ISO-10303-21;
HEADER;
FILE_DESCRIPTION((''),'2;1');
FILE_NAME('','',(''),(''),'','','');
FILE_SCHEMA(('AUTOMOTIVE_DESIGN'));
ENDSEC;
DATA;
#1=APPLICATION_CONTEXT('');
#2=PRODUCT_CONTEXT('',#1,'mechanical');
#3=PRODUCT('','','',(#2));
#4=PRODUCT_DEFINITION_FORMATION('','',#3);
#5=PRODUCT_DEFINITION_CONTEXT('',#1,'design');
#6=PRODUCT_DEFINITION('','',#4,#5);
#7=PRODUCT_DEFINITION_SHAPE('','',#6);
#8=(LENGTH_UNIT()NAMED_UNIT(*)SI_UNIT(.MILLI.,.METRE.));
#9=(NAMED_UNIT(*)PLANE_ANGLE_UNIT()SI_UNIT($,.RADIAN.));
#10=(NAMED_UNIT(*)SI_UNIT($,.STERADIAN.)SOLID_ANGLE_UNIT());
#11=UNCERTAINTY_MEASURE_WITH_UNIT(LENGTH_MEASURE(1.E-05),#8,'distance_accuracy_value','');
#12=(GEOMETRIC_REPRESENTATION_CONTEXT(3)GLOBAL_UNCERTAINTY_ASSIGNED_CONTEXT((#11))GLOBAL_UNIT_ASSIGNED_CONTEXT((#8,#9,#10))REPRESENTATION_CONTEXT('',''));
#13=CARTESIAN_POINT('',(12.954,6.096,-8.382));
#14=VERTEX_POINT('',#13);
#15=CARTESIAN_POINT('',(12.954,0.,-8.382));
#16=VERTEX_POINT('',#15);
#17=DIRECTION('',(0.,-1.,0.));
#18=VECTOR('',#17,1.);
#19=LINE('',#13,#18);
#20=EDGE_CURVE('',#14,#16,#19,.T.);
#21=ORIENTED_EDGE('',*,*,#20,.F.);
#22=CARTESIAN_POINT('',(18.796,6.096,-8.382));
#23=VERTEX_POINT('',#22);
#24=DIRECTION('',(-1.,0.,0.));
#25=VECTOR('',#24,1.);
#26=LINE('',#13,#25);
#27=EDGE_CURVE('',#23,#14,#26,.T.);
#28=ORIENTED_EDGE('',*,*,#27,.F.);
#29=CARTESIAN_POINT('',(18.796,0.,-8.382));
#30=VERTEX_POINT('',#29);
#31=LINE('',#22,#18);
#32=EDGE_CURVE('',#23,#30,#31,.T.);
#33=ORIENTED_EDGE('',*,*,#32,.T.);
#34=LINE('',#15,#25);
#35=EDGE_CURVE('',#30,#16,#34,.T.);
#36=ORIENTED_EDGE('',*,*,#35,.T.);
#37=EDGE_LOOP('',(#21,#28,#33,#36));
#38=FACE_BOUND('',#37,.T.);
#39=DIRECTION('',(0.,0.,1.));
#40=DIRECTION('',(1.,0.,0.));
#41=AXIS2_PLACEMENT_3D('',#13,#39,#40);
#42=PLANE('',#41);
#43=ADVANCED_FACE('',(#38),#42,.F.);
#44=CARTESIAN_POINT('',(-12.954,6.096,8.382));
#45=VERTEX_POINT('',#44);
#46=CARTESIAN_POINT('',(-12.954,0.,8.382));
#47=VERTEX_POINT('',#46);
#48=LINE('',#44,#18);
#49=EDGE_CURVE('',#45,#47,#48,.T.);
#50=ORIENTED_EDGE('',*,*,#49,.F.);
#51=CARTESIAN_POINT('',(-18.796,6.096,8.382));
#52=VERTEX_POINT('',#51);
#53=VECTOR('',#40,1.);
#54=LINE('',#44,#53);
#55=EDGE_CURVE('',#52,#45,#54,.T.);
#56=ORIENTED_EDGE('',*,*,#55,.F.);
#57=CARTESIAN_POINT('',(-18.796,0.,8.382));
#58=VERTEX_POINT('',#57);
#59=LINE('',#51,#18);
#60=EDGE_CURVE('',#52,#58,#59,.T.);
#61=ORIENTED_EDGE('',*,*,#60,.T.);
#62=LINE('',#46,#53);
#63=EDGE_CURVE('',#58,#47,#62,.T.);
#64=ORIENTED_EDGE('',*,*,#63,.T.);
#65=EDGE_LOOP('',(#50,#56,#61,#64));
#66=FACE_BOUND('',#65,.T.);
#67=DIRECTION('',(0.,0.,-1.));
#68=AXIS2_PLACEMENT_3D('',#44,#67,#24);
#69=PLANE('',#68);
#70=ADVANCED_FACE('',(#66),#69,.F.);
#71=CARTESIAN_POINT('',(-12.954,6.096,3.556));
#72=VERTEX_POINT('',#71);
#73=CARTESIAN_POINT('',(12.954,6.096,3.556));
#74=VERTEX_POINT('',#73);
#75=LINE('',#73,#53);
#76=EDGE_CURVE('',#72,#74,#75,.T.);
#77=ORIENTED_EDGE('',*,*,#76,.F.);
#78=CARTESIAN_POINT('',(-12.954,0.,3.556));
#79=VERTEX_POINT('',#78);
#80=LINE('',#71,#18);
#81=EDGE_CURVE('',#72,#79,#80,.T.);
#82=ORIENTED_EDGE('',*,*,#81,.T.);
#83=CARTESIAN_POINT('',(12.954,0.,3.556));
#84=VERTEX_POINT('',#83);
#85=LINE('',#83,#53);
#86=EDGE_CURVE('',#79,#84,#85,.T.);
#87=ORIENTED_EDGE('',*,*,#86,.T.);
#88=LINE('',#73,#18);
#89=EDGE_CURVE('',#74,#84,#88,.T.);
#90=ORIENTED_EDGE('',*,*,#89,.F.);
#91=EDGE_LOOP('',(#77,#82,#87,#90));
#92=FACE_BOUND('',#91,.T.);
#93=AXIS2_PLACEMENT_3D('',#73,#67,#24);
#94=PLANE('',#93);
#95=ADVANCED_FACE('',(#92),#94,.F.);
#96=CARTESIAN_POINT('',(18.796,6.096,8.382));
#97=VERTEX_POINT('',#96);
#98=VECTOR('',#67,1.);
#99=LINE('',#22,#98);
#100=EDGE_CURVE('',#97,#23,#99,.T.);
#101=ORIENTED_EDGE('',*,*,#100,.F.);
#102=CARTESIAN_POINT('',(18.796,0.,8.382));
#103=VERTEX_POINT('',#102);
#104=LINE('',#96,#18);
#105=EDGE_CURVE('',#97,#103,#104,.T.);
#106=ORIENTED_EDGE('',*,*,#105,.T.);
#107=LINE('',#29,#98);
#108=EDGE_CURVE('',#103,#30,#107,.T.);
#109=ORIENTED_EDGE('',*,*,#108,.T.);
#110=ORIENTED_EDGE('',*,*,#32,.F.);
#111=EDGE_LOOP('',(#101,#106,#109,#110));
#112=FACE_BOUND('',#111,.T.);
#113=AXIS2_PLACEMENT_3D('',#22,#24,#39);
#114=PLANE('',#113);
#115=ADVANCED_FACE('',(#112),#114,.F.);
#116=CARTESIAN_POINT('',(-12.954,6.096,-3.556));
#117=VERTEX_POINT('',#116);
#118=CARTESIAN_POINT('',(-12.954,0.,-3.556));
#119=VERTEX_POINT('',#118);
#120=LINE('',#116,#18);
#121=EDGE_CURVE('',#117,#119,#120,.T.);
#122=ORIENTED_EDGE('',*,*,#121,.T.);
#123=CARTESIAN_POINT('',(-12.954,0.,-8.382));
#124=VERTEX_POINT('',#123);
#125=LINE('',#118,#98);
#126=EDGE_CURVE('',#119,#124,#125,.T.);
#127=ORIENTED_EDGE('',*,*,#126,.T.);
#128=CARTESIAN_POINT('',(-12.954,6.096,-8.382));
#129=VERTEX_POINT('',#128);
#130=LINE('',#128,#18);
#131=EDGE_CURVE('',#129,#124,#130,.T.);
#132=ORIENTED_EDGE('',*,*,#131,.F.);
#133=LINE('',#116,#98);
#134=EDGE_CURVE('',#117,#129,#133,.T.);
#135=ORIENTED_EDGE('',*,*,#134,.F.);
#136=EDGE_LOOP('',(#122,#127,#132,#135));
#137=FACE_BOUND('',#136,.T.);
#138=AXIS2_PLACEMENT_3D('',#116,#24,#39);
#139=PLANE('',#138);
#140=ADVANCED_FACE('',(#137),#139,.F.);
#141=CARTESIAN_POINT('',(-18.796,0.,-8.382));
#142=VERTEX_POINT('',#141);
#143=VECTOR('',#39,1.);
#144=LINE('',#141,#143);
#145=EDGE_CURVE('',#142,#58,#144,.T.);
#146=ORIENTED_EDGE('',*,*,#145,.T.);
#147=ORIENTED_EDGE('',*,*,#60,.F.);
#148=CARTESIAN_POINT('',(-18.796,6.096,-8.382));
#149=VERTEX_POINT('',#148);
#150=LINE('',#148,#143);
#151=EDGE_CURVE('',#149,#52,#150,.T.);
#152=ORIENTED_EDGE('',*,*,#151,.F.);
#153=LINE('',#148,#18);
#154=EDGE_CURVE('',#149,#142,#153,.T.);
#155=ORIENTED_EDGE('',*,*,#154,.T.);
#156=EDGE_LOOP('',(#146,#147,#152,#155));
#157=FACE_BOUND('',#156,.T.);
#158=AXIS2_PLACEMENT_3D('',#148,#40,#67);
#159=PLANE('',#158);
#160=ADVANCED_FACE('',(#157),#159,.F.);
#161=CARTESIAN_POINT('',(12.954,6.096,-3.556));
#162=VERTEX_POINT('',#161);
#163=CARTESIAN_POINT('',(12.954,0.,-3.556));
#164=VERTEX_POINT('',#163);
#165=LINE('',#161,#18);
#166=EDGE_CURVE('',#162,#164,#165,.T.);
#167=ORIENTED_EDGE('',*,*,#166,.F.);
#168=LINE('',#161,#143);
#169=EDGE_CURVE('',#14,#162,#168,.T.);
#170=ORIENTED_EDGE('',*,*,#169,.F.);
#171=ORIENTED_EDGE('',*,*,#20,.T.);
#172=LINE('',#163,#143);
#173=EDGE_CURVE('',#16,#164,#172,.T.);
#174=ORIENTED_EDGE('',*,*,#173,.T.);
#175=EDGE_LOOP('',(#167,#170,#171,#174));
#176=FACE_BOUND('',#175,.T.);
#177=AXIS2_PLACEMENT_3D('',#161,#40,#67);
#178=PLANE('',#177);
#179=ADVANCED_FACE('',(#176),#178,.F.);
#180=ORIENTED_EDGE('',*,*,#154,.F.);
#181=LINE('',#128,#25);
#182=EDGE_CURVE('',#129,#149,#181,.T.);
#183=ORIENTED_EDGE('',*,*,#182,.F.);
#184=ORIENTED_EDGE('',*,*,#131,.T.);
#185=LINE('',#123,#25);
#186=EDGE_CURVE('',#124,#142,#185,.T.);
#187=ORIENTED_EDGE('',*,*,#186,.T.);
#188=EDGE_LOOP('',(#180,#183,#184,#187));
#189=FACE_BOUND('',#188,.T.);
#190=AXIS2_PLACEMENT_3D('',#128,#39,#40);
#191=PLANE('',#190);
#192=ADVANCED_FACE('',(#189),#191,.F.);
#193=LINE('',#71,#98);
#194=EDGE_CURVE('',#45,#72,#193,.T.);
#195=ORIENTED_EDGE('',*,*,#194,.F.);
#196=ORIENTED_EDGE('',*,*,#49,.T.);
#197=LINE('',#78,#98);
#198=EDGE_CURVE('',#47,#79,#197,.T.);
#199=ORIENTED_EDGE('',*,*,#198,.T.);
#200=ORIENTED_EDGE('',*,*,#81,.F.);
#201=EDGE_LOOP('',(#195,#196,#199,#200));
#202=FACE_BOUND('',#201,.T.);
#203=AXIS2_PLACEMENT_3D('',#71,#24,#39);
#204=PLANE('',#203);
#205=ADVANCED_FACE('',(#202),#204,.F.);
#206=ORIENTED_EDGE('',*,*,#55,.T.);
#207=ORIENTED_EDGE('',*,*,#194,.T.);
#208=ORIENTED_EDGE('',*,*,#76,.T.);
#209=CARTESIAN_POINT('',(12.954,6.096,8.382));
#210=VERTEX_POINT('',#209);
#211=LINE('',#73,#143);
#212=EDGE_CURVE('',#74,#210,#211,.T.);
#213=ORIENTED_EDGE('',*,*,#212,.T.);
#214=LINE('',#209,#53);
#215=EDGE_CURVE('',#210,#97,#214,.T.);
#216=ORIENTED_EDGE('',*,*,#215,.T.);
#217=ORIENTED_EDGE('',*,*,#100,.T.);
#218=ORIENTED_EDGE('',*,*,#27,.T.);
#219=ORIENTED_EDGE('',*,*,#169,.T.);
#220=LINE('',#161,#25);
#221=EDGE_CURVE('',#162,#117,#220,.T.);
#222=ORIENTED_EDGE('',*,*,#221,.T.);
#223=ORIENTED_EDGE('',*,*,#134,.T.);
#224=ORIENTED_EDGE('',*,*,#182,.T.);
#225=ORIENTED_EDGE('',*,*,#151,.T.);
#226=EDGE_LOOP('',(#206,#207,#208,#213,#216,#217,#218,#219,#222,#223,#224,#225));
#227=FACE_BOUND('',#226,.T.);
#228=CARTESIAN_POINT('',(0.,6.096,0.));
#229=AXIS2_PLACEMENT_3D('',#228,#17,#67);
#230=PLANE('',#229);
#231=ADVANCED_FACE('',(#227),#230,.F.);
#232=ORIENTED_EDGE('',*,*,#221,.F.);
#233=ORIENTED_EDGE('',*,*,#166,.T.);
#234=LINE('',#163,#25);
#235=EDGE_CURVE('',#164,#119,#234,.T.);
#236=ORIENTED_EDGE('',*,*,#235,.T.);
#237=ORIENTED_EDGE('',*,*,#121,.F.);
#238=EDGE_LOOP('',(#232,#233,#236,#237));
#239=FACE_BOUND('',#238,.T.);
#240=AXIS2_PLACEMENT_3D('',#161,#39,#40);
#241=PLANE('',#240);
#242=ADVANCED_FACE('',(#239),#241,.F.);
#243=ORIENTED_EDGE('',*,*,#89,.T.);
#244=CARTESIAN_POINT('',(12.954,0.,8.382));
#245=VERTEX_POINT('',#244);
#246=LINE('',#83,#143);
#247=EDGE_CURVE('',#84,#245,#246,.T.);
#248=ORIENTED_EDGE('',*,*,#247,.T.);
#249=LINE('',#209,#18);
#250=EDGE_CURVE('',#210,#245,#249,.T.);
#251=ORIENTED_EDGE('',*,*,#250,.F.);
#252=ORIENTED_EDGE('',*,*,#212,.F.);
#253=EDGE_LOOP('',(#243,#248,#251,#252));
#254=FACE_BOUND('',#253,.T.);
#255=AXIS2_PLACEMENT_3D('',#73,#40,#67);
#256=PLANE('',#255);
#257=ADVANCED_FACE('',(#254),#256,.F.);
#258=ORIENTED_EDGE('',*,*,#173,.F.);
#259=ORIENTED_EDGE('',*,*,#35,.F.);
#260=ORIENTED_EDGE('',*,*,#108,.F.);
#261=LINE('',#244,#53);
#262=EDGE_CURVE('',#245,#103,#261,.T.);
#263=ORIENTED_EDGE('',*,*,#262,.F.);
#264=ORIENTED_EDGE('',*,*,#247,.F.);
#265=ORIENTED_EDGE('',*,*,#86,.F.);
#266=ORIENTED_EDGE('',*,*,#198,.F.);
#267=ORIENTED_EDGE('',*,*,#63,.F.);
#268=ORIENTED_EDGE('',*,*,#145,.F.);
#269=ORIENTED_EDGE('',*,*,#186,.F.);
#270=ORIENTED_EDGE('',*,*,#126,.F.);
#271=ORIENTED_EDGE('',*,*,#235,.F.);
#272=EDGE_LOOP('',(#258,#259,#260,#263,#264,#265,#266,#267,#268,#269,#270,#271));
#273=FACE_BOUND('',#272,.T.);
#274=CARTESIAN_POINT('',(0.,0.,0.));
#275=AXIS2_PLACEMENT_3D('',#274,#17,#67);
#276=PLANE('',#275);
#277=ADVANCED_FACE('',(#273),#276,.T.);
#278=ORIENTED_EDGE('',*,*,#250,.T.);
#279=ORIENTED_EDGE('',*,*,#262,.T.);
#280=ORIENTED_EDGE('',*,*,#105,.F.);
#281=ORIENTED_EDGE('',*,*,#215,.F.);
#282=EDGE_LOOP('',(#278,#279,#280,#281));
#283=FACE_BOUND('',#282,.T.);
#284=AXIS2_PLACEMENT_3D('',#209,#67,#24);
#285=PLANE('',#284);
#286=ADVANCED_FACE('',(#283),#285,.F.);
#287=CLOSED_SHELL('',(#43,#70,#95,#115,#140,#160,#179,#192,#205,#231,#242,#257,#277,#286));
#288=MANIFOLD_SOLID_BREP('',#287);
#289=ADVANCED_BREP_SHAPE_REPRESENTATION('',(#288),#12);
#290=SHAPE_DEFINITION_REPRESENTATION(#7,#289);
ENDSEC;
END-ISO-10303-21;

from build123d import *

# Parameters (mm, degrees)
BOSS_EXTRUDE1_DEPTH = 6.096


with BuildPart() as part:
    # Sketch1 → Boss-Extrude1 (new body)
    with BuildSketch(Plane(origin=(0, 0, 0), x_dir=(1, 0, 0), z_dir=(0, 1, 0))):
        Polygon((12.954, 3.556), (-12.954, 3.556), (-12.954, 8.382), (-18.796, 8.382), (-18.796, -8.382), (-12.954, -8.382), (-12.954, -3.556), (12.954, -3.556), (12.954, -8.382), (18.796, -8.382), (18.796, 8.382), (12.954, 8.382), align=None)
    extrude(amount=BOSS_EXTRUDE1_DEPTH)


solid = part.part
